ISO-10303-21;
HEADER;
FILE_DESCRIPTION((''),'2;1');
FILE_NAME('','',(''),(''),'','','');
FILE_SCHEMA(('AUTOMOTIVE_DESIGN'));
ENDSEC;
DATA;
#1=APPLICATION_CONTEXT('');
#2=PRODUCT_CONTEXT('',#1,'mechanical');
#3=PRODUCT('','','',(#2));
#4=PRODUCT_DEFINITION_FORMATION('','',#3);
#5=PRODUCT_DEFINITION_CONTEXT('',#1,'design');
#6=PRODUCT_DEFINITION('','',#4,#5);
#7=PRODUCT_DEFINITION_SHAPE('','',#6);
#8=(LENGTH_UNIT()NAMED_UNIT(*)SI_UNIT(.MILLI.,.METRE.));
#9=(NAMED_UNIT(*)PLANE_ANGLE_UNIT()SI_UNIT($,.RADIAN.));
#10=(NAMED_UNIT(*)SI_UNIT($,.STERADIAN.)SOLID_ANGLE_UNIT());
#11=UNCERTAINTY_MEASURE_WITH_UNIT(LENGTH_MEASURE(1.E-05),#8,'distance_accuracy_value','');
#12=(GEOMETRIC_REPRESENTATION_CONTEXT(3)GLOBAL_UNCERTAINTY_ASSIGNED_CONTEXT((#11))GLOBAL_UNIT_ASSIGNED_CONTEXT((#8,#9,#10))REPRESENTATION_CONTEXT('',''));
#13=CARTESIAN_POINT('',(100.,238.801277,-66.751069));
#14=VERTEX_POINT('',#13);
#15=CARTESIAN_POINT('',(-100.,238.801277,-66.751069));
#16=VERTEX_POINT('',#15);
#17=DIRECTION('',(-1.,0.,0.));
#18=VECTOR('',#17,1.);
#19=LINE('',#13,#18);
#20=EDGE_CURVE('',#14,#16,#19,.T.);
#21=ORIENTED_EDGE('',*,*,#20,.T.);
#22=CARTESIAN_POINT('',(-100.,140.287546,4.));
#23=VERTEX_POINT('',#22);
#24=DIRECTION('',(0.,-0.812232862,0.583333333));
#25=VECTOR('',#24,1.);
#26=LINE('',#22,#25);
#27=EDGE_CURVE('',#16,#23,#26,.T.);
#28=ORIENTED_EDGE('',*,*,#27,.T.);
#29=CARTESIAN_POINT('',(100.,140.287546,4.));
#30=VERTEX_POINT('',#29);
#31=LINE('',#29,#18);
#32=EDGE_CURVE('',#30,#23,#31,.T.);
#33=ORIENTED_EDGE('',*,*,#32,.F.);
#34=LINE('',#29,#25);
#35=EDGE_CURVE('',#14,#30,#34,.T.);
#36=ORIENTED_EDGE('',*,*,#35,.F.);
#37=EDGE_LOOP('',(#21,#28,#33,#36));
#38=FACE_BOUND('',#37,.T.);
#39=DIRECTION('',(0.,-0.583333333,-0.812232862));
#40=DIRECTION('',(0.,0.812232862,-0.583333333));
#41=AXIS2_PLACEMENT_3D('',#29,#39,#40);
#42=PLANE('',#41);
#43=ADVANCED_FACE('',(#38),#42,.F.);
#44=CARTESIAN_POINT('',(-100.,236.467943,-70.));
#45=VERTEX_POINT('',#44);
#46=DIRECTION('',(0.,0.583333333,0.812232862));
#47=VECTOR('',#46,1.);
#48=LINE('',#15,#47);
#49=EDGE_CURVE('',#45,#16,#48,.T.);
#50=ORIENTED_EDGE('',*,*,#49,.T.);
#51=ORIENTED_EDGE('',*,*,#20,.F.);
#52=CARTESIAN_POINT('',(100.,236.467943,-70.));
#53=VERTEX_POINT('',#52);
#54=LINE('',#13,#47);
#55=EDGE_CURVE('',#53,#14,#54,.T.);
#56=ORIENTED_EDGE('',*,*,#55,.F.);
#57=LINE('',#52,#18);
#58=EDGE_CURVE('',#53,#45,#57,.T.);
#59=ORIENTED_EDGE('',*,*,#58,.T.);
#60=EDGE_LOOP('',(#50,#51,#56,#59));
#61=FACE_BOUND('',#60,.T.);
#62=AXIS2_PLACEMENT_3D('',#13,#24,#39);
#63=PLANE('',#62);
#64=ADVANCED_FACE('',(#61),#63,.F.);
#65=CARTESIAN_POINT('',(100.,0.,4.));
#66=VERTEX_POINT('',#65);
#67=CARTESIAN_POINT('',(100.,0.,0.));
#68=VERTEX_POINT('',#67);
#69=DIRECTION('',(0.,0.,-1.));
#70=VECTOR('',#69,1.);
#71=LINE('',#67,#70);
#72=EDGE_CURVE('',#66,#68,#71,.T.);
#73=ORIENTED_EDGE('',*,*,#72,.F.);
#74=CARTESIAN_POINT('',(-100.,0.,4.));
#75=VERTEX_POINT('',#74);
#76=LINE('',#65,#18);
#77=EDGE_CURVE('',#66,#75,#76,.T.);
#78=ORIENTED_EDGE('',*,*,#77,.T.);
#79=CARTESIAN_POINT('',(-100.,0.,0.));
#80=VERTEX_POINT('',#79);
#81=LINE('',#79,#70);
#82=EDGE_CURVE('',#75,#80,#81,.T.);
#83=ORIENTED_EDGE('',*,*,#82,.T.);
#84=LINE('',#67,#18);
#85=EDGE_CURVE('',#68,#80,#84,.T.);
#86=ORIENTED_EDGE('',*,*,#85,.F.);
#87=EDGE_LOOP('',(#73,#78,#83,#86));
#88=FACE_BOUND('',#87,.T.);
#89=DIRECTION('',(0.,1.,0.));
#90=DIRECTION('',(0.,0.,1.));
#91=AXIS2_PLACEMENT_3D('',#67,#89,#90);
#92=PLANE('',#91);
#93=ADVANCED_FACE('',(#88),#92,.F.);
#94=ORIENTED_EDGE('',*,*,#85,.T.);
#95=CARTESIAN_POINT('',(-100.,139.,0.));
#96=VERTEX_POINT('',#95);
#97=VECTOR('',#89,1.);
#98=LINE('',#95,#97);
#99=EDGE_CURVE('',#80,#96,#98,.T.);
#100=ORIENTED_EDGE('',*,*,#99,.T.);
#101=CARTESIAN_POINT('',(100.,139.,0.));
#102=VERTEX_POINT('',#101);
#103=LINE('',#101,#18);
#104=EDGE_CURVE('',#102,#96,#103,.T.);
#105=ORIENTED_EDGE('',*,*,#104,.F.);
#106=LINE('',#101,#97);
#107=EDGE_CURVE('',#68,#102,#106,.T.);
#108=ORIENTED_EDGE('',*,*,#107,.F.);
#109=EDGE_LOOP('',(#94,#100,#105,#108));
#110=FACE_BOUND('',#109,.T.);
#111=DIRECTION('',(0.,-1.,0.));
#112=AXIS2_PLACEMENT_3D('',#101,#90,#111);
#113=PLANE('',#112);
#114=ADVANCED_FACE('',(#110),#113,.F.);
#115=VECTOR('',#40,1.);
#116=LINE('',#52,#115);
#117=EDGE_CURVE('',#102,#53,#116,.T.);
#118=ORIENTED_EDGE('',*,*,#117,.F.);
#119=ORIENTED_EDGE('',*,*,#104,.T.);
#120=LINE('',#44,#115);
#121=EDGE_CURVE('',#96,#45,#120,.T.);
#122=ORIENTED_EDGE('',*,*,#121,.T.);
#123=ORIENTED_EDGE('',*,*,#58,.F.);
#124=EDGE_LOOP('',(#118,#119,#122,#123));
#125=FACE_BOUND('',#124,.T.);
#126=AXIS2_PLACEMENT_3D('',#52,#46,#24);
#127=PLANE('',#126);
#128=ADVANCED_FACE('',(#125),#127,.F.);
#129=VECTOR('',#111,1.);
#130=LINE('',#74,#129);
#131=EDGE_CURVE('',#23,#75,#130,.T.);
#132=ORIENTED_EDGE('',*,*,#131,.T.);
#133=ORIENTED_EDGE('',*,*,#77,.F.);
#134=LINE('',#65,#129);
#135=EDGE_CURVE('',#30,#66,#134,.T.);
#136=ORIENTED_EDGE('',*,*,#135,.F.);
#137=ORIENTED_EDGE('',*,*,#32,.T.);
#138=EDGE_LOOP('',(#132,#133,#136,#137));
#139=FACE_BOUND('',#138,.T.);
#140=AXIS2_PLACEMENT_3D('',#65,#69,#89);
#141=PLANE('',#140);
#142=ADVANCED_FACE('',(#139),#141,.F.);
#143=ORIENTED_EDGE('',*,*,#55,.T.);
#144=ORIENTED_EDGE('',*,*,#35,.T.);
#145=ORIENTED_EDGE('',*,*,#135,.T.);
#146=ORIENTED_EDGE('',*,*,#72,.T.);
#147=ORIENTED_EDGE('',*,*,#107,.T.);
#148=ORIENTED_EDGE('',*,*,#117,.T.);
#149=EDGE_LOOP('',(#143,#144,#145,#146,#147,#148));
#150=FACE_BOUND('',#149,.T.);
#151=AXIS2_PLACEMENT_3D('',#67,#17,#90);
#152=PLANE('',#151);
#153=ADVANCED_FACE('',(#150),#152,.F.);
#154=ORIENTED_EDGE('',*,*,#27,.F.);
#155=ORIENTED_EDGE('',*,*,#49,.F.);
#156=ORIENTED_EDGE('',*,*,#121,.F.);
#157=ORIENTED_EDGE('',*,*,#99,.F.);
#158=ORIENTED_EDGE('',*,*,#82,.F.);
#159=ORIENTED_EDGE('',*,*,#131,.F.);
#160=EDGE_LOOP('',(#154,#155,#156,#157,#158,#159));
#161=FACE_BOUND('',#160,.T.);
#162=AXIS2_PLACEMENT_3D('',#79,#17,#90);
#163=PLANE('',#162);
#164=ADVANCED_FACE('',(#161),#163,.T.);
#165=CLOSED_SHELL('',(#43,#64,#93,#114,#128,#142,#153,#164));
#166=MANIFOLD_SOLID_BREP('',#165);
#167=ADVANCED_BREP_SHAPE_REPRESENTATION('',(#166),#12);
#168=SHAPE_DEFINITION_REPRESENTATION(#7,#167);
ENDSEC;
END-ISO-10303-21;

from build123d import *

# Parameters (mm, degrees)
BOSS_EXTRUDE1_DEPTH = 100


with BuildPart() as part:
    # Sketch1 → Boss-Extrude1 (new, symmetric)
    with BuildSketch(Plane(origin=(0, 0, 0), x_dir=(0, 0, -1), z_dir=(1, 0, 0))):
        Polygon((-4, 0), (-4, 140.287546089), (66.751068552, 238.801276781), (70, 236.467943448), (0, 139), (0, 0), align=None)
    extrude(amount=BOSS_EXTRUDE1_DEPTH, both=True)


solid = part.part
